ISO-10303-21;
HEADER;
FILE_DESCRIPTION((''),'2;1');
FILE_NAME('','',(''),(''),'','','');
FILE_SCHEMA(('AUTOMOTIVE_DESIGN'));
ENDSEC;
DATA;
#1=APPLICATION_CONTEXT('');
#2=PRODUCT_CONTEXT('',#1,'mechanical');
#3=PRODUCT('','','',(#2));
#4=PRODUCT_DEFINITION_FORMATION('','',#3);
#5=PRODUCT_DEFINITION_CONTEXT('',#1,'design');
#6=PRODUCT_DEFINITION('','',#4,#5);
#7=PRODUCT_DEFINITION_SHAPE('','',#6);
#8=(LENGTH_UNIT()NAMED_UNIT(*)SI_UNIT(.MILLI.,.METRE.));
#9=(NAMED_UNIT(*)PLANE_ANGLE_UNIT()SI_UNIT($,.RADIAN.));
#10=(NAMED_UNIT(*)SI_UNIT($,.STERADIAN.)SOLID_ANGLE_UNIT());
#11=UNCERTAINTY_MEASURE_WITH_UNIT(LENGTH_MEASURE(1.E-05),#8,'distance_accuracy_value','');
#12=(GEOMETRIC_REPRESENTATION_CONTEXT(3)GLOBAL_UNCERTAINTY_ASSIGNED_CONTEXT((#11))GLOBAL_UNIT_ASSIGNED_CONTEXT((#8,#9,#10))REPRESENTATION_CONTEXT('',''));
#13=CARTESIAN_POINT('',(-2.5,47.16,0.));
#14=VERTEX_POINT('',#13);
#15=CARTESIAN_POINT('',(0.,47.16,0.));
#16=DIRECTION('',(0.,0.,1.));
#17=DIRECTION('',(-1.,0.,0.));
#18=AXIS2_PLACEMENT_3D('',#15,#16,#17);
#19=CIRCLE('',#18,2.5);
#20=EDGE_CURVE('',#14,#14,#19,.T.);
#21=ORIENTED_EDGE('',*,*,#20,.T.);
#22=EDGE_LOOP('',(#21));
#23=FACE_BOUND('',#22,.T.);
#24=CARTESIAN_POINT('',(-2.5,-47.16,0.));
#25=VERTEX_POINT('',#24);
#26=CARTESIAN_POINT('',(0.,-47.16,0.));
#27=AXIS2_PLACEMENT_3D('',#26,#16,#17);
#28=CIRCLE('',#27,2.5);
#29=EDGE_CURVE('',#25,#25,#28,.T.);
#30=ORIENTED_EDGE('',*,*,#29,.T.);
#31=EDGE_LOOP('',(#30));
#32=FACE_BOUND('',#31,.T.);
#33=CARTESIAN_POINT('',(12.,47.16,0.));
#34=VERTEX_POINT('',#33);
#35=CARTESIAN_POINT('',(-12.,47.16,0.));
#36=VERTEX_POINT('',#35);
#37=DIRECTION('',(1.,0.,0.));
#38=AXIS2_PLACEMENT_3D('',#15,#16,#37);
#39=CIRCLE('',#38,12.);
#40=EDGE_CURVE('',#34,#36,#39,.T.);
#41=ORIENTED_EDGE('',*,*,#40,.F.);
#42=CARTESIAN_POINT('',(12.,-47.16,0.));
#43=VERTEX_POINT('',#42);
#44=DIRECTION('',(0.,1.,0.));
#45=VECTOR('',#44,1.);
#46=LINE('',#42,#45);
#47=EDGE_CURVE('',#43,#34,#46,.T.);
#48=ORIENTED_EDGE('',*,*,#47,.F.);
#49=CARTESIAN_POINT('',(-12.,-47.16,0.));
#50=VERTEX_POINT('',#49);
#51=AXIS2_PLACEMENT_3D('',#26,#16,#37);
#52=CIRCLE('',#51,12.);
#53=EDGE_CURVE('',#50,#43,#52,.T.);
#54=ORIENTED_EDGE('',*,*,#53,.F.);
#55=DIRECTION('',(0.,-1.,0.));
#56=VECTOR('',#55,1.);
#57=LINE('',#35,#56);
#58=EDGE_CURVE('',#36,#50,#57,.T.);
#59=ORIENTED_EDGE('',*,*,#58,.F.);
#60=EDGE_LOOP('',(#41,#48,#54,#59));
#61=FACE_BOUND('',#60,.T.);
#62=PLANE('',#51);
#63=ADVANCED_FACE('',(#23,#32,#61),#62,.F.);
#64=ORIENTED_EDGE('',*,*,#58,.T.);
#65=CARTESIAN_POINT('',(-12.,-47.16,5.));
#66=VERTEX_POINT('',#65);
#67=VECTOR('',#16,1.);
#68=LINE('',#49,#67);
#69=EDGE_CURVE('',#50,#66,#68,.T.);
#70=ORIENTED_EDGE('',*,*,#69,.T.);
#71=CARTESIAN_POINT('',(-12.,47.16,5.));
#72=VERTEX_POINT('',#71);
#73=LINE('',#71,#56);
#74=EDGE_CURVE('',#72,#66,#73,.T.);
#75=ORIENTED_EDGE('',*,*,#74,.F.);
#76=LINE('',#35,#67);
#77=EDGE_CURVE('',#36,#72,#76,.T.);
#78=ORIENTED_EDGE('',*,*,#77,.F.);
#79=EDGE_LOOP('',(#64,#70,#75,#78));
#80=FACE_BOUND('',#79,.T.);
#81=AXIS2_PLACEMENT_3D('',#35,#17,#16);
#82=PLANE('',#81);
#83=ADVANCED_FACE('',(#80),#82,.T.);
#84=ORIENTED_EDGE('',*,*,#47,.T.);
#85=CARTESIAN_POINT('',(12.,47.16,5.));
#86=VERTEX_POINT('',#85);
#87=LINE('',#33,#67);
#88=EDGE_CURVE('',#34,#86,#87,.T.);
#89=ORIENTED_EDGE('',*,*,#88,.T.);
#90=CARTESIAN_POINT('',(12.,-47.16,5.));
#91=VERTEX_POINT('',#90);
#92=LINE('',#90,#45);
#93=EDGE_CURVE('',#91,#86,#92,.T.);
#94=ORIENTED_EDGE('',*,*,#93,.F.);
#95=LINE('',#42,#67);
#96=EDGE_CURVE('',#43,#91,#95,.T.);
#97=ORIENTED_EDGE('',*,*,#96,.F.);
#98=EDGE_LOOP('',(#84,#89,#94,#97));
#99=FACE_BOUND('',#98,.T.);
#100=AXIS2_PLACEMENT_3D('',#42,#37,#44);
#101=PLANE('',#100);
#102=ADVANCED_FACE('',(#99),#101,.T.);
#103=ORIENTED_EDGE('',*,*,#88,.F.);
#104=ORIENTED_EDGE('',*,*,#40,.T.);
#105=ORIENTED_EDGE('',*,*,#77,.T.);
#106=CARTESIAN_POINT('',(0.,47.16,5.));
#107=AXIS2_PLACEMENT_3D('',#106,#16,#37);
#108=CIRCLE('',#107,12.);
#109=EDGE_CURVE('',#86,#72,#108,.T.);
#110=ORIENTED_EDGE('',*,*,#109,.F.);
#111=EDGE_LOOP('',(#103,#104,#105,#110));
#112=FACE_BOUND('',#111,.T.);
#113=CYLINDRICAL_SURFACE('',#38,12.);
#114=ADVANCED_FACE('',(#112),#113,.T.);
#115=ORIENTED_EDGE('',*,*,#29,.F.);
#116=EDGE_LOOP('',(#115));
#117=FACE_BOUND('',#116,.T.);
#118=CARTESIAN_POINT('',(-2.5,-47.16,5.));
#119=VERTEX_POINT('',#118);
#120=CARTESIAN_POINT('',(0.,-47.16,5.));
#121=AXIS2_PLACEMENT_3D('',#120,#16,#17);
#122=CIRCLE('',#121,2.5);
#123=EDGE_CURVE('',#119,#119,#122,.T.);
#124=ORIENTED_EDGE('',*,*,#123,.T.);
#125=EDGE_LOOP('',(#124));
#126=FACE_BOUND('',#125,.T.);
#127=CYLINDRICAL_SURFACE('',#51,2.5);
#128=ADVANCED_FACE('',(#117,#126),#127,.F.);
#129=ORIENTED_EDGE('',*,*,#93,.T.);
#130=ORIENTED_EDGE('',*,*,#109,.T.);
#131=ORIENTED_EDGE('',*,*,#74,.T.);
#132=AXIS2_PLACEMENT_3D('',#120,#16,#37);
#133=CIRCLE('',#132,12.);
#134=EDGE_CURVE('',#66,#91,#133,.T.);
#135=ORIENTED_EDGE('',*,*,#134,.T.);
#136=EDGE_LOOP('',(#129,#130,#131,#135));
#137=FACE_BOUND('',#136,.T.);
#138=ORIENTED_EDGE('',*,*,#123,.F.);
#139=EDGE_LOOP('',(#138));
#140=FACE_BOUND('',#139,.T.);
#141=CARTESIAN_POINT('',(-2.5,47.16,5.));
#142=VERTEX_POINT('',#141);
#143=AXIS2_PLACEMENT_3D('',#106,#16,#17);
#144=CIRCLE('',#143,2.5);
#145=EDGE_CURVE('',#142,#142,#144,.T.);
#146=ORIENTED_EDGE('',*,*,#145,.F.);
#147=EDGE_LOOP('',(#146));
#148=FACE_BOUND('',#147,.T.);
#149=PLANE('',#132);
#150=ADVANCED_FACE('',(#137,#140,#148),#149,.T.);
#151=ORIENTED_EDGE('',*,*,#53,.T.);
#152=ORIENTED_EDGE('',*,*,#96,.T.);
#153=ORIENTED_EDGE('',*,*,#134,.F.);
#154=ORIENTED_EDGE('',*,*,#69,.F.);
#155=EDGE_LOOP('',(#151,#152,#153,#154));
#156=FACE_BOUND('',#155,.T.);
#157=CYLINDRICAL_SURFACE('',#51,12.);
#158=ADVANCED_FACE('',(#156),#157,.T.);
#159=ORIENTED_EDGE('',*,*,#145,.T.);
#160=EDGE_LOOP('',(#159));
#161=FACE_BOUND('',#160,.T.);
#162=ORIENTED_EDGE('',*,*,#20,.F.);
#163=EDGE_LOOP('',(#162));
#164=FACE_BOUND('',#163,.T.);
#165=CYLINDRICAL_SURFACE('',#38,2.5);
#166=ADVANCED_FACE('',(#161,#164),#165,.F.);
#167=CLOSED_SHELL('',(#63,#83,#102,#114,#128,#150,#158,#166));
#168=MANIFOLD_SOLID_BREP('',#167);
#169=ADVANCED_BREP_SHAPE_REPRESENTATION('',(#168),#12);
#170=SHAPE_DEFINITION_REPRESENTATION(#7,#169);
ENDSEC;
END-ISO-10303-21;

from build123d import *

# Parameters (mm, degrees)
SKETCH_1_R      = 2.5
EXTRUDE_1_DEPTH = 5


with BuildPart() as part:
    # 草图1 → 凸台-拉伸1 (new body)
    with BuildSketch(Plane.XY.offset(5)):
        with BuildLine():
            Line((12, -47.16), (12, 47.16))
            ThreePointArc((12, 47.16), (0, 59.16), (-12, 47.16))
            Line((-12, 47.16), (-12, -47.16))
            ThreePointArc((-12, -47.16), (0, -59.16), (12, -47.16))
        make_face()
        with Locations(Location((0, -47.16, 0), (0, 0, 180))):
            Circle(SKETCH_1_R, mode=Mode.SUBTRACT)
        with Locations(Location((0, 47.16, 0), (0, 0, 180))):
            Circle(SKETCH_1_R, mode=Mode.SUBTRACT)
    extrude(amount=-EXTRUDE_1_DEPTH)


solid = part.part
